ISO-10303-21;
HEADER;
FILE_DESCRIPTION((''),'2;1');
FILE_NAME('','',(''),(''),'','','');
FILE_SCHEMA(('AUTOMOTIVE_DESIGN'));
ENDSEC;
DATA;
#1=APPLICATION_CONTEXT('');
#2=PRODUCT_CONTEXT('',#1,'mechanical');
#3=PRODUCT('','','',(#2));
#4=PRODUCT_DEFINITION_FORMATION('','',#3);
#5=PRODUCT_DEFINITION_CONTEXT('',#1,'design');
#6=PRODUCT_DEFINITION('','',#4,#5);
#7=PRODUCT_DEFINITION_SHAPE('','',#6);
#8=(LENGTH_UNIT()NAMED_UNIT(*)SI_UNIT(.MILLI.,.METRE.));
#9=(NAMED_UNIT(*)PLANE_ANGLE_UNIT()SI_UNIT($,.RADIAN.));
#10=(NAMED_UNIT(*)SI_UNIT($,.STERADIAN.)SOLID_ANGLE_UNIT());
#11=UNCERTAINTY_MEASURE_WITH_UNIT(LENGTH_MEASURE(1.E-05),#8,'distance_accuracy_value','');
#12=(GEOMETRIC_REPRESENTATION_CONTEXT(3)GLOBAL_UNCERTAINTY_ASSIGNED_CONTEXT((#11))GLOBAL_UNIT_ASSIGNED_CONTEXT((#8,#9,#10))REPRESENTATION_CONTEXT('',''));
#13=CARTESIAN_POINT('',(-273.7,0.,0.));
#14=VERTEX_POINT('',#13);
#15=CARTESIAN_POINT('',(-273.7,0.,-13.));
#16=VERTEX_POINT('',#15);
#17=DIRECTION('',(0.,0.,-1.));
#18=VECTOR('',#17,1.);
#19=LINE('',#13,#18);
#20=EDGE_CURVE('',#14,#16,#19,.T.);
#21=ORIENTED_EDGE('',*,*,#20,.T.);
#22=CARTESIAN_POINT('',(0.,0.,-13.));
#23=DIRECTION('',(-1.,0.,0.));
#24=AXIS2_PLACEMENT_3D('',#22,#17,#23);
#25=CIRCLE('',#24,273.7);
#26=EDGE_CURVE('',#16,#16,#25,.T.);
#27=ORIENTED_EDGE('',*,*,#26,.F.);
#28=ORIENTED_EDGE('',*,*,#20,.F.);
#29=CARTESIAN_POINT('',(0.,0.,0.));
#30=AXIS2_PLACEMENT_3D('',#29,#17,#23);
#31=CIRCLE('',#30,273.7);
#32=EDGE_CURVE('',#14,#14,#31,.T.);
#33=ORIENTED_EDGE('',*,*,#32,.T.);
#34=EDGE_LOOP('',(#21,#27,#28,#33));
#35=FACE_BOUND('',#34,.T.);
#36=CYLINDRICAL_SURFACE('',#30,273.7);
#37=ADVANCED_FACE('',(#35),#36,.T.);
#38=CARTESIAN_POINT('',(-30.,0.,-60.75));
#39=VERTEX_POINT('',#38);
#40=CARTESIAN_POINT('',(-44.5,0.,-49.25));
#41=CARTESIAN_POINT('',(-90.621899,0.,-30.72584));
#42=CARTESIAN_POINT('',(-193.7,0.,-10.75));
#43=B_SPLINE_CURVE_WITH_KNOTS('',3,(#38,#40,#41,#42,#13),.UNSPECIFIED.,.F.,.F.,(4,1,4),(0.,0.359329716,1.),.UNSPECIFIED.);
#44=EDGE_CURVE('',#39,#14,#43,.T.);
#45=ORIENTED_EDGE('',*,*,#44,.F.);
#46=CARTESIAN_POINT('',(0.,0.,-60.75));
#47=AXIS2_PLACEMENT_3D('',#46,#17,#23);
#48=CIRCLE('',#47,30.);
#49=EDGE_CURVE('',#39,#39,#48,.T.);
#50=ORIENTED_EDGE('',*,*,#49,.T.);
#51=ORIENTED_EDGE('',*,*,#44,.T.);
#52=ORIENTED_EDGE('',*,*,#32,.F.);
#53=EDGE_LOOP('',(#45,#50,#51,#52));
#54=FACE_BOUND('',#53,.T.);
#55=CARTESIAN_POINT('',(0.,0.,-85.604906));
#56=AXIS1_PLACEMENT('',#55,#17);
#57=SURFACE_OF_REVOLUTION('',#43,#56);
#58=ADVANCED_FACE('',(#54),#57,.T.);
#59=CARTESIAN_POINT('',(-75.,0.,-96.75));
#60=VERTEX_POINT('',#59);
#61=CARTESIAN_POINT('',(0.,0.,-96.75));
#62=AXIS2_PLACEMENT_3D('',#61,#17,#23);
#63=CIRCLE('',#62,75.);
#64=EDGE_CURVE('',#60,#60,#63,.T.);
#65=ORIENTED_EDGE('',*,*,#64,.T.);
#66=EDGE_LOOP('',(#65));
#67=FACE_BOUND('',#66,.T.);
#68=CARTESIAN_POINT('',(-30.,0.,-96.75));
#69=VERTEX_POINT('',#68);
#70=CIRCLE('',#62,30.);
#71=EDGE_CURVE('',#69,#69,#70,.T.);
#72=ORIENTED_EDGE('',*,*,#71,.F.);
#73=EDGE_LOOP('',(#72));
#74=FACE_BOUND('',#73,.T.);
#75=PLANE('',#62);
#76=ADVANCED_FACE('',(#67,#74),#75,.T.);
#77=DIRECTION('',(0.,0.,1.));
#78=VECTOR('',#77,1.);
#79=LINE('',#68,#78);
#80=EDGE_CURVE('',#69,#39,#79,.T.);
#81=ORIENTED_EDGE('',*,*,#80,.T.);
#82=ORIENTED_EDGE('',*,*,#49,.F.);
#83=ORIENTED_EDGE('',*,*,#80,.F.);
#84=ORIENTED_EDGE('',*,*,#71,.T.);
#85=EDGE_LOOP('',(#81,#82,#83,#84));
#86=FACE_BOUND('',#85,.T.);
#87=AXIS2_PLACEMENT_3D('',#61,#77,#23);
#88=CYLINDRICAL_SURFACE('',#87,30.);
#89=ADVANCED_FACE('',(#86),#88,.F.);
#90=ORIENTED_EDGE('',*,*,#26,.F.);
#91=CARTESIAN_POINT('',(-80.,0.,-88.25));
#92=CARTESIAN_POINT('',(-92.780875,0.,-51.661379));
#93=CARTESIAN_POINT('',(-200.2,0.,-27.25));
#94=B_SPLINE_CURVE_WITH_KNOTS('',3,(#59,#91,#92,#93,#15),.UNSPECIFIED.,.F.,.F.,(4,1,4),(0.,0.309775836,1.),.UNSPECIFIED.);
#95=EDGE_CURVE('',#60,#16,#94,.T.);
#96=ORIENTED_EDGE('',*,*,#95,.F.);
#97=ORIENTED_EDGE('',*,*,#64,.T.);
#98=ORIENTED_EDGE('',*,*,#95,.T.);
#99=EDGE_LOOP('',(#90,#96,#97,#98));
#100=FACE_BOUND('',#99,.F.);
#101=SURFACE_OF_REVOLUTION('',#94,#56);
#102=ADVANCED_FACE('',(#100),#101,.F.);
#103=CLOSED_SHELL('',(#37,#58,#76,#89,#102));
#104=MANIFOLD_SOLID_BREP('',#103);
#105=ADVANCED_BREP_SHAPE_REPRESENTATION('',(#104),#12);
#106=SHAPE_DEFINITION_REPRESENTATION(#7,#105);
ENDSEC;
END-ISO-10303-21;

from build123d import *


with BuildPart() as f1:
    # F0 (on Front) → F1 (revolve)
    with BuildSketch(Plane.XZ):
        with BuildLine():
            Line((-75, -96.75), (-30, -96.75))
            Line((-30, -96.75), (-30, -60.75))
            add(Edge.make_bspline(
                [(-30, -60.75), (-44.5, -49.25), (-90.6218993502, -30.7258402416), (-193.7, -10.75), (-273.7, 0)],
                knots=[0, 0, 0, 0, 0.3593297164, 1, 1, 1, 1], degree=3))
            Line((-273.7, 0), (-273.7, -13))
            add(Edge.make_bspline(
                [(-75, -96.75), (-80, -88.25), (-92.7808748602, -51.6613793544), (-200.2, -27.25), (-273.7, -13)],
                knots=[0, 0, 0, 0, 0.3097758358, 1, 1, 1, 1], degree=3))
        make_face()
    revolve(axis=Axis((0, 0, -85.6049060822), (0, 0, -1)))


solid = f1.part
